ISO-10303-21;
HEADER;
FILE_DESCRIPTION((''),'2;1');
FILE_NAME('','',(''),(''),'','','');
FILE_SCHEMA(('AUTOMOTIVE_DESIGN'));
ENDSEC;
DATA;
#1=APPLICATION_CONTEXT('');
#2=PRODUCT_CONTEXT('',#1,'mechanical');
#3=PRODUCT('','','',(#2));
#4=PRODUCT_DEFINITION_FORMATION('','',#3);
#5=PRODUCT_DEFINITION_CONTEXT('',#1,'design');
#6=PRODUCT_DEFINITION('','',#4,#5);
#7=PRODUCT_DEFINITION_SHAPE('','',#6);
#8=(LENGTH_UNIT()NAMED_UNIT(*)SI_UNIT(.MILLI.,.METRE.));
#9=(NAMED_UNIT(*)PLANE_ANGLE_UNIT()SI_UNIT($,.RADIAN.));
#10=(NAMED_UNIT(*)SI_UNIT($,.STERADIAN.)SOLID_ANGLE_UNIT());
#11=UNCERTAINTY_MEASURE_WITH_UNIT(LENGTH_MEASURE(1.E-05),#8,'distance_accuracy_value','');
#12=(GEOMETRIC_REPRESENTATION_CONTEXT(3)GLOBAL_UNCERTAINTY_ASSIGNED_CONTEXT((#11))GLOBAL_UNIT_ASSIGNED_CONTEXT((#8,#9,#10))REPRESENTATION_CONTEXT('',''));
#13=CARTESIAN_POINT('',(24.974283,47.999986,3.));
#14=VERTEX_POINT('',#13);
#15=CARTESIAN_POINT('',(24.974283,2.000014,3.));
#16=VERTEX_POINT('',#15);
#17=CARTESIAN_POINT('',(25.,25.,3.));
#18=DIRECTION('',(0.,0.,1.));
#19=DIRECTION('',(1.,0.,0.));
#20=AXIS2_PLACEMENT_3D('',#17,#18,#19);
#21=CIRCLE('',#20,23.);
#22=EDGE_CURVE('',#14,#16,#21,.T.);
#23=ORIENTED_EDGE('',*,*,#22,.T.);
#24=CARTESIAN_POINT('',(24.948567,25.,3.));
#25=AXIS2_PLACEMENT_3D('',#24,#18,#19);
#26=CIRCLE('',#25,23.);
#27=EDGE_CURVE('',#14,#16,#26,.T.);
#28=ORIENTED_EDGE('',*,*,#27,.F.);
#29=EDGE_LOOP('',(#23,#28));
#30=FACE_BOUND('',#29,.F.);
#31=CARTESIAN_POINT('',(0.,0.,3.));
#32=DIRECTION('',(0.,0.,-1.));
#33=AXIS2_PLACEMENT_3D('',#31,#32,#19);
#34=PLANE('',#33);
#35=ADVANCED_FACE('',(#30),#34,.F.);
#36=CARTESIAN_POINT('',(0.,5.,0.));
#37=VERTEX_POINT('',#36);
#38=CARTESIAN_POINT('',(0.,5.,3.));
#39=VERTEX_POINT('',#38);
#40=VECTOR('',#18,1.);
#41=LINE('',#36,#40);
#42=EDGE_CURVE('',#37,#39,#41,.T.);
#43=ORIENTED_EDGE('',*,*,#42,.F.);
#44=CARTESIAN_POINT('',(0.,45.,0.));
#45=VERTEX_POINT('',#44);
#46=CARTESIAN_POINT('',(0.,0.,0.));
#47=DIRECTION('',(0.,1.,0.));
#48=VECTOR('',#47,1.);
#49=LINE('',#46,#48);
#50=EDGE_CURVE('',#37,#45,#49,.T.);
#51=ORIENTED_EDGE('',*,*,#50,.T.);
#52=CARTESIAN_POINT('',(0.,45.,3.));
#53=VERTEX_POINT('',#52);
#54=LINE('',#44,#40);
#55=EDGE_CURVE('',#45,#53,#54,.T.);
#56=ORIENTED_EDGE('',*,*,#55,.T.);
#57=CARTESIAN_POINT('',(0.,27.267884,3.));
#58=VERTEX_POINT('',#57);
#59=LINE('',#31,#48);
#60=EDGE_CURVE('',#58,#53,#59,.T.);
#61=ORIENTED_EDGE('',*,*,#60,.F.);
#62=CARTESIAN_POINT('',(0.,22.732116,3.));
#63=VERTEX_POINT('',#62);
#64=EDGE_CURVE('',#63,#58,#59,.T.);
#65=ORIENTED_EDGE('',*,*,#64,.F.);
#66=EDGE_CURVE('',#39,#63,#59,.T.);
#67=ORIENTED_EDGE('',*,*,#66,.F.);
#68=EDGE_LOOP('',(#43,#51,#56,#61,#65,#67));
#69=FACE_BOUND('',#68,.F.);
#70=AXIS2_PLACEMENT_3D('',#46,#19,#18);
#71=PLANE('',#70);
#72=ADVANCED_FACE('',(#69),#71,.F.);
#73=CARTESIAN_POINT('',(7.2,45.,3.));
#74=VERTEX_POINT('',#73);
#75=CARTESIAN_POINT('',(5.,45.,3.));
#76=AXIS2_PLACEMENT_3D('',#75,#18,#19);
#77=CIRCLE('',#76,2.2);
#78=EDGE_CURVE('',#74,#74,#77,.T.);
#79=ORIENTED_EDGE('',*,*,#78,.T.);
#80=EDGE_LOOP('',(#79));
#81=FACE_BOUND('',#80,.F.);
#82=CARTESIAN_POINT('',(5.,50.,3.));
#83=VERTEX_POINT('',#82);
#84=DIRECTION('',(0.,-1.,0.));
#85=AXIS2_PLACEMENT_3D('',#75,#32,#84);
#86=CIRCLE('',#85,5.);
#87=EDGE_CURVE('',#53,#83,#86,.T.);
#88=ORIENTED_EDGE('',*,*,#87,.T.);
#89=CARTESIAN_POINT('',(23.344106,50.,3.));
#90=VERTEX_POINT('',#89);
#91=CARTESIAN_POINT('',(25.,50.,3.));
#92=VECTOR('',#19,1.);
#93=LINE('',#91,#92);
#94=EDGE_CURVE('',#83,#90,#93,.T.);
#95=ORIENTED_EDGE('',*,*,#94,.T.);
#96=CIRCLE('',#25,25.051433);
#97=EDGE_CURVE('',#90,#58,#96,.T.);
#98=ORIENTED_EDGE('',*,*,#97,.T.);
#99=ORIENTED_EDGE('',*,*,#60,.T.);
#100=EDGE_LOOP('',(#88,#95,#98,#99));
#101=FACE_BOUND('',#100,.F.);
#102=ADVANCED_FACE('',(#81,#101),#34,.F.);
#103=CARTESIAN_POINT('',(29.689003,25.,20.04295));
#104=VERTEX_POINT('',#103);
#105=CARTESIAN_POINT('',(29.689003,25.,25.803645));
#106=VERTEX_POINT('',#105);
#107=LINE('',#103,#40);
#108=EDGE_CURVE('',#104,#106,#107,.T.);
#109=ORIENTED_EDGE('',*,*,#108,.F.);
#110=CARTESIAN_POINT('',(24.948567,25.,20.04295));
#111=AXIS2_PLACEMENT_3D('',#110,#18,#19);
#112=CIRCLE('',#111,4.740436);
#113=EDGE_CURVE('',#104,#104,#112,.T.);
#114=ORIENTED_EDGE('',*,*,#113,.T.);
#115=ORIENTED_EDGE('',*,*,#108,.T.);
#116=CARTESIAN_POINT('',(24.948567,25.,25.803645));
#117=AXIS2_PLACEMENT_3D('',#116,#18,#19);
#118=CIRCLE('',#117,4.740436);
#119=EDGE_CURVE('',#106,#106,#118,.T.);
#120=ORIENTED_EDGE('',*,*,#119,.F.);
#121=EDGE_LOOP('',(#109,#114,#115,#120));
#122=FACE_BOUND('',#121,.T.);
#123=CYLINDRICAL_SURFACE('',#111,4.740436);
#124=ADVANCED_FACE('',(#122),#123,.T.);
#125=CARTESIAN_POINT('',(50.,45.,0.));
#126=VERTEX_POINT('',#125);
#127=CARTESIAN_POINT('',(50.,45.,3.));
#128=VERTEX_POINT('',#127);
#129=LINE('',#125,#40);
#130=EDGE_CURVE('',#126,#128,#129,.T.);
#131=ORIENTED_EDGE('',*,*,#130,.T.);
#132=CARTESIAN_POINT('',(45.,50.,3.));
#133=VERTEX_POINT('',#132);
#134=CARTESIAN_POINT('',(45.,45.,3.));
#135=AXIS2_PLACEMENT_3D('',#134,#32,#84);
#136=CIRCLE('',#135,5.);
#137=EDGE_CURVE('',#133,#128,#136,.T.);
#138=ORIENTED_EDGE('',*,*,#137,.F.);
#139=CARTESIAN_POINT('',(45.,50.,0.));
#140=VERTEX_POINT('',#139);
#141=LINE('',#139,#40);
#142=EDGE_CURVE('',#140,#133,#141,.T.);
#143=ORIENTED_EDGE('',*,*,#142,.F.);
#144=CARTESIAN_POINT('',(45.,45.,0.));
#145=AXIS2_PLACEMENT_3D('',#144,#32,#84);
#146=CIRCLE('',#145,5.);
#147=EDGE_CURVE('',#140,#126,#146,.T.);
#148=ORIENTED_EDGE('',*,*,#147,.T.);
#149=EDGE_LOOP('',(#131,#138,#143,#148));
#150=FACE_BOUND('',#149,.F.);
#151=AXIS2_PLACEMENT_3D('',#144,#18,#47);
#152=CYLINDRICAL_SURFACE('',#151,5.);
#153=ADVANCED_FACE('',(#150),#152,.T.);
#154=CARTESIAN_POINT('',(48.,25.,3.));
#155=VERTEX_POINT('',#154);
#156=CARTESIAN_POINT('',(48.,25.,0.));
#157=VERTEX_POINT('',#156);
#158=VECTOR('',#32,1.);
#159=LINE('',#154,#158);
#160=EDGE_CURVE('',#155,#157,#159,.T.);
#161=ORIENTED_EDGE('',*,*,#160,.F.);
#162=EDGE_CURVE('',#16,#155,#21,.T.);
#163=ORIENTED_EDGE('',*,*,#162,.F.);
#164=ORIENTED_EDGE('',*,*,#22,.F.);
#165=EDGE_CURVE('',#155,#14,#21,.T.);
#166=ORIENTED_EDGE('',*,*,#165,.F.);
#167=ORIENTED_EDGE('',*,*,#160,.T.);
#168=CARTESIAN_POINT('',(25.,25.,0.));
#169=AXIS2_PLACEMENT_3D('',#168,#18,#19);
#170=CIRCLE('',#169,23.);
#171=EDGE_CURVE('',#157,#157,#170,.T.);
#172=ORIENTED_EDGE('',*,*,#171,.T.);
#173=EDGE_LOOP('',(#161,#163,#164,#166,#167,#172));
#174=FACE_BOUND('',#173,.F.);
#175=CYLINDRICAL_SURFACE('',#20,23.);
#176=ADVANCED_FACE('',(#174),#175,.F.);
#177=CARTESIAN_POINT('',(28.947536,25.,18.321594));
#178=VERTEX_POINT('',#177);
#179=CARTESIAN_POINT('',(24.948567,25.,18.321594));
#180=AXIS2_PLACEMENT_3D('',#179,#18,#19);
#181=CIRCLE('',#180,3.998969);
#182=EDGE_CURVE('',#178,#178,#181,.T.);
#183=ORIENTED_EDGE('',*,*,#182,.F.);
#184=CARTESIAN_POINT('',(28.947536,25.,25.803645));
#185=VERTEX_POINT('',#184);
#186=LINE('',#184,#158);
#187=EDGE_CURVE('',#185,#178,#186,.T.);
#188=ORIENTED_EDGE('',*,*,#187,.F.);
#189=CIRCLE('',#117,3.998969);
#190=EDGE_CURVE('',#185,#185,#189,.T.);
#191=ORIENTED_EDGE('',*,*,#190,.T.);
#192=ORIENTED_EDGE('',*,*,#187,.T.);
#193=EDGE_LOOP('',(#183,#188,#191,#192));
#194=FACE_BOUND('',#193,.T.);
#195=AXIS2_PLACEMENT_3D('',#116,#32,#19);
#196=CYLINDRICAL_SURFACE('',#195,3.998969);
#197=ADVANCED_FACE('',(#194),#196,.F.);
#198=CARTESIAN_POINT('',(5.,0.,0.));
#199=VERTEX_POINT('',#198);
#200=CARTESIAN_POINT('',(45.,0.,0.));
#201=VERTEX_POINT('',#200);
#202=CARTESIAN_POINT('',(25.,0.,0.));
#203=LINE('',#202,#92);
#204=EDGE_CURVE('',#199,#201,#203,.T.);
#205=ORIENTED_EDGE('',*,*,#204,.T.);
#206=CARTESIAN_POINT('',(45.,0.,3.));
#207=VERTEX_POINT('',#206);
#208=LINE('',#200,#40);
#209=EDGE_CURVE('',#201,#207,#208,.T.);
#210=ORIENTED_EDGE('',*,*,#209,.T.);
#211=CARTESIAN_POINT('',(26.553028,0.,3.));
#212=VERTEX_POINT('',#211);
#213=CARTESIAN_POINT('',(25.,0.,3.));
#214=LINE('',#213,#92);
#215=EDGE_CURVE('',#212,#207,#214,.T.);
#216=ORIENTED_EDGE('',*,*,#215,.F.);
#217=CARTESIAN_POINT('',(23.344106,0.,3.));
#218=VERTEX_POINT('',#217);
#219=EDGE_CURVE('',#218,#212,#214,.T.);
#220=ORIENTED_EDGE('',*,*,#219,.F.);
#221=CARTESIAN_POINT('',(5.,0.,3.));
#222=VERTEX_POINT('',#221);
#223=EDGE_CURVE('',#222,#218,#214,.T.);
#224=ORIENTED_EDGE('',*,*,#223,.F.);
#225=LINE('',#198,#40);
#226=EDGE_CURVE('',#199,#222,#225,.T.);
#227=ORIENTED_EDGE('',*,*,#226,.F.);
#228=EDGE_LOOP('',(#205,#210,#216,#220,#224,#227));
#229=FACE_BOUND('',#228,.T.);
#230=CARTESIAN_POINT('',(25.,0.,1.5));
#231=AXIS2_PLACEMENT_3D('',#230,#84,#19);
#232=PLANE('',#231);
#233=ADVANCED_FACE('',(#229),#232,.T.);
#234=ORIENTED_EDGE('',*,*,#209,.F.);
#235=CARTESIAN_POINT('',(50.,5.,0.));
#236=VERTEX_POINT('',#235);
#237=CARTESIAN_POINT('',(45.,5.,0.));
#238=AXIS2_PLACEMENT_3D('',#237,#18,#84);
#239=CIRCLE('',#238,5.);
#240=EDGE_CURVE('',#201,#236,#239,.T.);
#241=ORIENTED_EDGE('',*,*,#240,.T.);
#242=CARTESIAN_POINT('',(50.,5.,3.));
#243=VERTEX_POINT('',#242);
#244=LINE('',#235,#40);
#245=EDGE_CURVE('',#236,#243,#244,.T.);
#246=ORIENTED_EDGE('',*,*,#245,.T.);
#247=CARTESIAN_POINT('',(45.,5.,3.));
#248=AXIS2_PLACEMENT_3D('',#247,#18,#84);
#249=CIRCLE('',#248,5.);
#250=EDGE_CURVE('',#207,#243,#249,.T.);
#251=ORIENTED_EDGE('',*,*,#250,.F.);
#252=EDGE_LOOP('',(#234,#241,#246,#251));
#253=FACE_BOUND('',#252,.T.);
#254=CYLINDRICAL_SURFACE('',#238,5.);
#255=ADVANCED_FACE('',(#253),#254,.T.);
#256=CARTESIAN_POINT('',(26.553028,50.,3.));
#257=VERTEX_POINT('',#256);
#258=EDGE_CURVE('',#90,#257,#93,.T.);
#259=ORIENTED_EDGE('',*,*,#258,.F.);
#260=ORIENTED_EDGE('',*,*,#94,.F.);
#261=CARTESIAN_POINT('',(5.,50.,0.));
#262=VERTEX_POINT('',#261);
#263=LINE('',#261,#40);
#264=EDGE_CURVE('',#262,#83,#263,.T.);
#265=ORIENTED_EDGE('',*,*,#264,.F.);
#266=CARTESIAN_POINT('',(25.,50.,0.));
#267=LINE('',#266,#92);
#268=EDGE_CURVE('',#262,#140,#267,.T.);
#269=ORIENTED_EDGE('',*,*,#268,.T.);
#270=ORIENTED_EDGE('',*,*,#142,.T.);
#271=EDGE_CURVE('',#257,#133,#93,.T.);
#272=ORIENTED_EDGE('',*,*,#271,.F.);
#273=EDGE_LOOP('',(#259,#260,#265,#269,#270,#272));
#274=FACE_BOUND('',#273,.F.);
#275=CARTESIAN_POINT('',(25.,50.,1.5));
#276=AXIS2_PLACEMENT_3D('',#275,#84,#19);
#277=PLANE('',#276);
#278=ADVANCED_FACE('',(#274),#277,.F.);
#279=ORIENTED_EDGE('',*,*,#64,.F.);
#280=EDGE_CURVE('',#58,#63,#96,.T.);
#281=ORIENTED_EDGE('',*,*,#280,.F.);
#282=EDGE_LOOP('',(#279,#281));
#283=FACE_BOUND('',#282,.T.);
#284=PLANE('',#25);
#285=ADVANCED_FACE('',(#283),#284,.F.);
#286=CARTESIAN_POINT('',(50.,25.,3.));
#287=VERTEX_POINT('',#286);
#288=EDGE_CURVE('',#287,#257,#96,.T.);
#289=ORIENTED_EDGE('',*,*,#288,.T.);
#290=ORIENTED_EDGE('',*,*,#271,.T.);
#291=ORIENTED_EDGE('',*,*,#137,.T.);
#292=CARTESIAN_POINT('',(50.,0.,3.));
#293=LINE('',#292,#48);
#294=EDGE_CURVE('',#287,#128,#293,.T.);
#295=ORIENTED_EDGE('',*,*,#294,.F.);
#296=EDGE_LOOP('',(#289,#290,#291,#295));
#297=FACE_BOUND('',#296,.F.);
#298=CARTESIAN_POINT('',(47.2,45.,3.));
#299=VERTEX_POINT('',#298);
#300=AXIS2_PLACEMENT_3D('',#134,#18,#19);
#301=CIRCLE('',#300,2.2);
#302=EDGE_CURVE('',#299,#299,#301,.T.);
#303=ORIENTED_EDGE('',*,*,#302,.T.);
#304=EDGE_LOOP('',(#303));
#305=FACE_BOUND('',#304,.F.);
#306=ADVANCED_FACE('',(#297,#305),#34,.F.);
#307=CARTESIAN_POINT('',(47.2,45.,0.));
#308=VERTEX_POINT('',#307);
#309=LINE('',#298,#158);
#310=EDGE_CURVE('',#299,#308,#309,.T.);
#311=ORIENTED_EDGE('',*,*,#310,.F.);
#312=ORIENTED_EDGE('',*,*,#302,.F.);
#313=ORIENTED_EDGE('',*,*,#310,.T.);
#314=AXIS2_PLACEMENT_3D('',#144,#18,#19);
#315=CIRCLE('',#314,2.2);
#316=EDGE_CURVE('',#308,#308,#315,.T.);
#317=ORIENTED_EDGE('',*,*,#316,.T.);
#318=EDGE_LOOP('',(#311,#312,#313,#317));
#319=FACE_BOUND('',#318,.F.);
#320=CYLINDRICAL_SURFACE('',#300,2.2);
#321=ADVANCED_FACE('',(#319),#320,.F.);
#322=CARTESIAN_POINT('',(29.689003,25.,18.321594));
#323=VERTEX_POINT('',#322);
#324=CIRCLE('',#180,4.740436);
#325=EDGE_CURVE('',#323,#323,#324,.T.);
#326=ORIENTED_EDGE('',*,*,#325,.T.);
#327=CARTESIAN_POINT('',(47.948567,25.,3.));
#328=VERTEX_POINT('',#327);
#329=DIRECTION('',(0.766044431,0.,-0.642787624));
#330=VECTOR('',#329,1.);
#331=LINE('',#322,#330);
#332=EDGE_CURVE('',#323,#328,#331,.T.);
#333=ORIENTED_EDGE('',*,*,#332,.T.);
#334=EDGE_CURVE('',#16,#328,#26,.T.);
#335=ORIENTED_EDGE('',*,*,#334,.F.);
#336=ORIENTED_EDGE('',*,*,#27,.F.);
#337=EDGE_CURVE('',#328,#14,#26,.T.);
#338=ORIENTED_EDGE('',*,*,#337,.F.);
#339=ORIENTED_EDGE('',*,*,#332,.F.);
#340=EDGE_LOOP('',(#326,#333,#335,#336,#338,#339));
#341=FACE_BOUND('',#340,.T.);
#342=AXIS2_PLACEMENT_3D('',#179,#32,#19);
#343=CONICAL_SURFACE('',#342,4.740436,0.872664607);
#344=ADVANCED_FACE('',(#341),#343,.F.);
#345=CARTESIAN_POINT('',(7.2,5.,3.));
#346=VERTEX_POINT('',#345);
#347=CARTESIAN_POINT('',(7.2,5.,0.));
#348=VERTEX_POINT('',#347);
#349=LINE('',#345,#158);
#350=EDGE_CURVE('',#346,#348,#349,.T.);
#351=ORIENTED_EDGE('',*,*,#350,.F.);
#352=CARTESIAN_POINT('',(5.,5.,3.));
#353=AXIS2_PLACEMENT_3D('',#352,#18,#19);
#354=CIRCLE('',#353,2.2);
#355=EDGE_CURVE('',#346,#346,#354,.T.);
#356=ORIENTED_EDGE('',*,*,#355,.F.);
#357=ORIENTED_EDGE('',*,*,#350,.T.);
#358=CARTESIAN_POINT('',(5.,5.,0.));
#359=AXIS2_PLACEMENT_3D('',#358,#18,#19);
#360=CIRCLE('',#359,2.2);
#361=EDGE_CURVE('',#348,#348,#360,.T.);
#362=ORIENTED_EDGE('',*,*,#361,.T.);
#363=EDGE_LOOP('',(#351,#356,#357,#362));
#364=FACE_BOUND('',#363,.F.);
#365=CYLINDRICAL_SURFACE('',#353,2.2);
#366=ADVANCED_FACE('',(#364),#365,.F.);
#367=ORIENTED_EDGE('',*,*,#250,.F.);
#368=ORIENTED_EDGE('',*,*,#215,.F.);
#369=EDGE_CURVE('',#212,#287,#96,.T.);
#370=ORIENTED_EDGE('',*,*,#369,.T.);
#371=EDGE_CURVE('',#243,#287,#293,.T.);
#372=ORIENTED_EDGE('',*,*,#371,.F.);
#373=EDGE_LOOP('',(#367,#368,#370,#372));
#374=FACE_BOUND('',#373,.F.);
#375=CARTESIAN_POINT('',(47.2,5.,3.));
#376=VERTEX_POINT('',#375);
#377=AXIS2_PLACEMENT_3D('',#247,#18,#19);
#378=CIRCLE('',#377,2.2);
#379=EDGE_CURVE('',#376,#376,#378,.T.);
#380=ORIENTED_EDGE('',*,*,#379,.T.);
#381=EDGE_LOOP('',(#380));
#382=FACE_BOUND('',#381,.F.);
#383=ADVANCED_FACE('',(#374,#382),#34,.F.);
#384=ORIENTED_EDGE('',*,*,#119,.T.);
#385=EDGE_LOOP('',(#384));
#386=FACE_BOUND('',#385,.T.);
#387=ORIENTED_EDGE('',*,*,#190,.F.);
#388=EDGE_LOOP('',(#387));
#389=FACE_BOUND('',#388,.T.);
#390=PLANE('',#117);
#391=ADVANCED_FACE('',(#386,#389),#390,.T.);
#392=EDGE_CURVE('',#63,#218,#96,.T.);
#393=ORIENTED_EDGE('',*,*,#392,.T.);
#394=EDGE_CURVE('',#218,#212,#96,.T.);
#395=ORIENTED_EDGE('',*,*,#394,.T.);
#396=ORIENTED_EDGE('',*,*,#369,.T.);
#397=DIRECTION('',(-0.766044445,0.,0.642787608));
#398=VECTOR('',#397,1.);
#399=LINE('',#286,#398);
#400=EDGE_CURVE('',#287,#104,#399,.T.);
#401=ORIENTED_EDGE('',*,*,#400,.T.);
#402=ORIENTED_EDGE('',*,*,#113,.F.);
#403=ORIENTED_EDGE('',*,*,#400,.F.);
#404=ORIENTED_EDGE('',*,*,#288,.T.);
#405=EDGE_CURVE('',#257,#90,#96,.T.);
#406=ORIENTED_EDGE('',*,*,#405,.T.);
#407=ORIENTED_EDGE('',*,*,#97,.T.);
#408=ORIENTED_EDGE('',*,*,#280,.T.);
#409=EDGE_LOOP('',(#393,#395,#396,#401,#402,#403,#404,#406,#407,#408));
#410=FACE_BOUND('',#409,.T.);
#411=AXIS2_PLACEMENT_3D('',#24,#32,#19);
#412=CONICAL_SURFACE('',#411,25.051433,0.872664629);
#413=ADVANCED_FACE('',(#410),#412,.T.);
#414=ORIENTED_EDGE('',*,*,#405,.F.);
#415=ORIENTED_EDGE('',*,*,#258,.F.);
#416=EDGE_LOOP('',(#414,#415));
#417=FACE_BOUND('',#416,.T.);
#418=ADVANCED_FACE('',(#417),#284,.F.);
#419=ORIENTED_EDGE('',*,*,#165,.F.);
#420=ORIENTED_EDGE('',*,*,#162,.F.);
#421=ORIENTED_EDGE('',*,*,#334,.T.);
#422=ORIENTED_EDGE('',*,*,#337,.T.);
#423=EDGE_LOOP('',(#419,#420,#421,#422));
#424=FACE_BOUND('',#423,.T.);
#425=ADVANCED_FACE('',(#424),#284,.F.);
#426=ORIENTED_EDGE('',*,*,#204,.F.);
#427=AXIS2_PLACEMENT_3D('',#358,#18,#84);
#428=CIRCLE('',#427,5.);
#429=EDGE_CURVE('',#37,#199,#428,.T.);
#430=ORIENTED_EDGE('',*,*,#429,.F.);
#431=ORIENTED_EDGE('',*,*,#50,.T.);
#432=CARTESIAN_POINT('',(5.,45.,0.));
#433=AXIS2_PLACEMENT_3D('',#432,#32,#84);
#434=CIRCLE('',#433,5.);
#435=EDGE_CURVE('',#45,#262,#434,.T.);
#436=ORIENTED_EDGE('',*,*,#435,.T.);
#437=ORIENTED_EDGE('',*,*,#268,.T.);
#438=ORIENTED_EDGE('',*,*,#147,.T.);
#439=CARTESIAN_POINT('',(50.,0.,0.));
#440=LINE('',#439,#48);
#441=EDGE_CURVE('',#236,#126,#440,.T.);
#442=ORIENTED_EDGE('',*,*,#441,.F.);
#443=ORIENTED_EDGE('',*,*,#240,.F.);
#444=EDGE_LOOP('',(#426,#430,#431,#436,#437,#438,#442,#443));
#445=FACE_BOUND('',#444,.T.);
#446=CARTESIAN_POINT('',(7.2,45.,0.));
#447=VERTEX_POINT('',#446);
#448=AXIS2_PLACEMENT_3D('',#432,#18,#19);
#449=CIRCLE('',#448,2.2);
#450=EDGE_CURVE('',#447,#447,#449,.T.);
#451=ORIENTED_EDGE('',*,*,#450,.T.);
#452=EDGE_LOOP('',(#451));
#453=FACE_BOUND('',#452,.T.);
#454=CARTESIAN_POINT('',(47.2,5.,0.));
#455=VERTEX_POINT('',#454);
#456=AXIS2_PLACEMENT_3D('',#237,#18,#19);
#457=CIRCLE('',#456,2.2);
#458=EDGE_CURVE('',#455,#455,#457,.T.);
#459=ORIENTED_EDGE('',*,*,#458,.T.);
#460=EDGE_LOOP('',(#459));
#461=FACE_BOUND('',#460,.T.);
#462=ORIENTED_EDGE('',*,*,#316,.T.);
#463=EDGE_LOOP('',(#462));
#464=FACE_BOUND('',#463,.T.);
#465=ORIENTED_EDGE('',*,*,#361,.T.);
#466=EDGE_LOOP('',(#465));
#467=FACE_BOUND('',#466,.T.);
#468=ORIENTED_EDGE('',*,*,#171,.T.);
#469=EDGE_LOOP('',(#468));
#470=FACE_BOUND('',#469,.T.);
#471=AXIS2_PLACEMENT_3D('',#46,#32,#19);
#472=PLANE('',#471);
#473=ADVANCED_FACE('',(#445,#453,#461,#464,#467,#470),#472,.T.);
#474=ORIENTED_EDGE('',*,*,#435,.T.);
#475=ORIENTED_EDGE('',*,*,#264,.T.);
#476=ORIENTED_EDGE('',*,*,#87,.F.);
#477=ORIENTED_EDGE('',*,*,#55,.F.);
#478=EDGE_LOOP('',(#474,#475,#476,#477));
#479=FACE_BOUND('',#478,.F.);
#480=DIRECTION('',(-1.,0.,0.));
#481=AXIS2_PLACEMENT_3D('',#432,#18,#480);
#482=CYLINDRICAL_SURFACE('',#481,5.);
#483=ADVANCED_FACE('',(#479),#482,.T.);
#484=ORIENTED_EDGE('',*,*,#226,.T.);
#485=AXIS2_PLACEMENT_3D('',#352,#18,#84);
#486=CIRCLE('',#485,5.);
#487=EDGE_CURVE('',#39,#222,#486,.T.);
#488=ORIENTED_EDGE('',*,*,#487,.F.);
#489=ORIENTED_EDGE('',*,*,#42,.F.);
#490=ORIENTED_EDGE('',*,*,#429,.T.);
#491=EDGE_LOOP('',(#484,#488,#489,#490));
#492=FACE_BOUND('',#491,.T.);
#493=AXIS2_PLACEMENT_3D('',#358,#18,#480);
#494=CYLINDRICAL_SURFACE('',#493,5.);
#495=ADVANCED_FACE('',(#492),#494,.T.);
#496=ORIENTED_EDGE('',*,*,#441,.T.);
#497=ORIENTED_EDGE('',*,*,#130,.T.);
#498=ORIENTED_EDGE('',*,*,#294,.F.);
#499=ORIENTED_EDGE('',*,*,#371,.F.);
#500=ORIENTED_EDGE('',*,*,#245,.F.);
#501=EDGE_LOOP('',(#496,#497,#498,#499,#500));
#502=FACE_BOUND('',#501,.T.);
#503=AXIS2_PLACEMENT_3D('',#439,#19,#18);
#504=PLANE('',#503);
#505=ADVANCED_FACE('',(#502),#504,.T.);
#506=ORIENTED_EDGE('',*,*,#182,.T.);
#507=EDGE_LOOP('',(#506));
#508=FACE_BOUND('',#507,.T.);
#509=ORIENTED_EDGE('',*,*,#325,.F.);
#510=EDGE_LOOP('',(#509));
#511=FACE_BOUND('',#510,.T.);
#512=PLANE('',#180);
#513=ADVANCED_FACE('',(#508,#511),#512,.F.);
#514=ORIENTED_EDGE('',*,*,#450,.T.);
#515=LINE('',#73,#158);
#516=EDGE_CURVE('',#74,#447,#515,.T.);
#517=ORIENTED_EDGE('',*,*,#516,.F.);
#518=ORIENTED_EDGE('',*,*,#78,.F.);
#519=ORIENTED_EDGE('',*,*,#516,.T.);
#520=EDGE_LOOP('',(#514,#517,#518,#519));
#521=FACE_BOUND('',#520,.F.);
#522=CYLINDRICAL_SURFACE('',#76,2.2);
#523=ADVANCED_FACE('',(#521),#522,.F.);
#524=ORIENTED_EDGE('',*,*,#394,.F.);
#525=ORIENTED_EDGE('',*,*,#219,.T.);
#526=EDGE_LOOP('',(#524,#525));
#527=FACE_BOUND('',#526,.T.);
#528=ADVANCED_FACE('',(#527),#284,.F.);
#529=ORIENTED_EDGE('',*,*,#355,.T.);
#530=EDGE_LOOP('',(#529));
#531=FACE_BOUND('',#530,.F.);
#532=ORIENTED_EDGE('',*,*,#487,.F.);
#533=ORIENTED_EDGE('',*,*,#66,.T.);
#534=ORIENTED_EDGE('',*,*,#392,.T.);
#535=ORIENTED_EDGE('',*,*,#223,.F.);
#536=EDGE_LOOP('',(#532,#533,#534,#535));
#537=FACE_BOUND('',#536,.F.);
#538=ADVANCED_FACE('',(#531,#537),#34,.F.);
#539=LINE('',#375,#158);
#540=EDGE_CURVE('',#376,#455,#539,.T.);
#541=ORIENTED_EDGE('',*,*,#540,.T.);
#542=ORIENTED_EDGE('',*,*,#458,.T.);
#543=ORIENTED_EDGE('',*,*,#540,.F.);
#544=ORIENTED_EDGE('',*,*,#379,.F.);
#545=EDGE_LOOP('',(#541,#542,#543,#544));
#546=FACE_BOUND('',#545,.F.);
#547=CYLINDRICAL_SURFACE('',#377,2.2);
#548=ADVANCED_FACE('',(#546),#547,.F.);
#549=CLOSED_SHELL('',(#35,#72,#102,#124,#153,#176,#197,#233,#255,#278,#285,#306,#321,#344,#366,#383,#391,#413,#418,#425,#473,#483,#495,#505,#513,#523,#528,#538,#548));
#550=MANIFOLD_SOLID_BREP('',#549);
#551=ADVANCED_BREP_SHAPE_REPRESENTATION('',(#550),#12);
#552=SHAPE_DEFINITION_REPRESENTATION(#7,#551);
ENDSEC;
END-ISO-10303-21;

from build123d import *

# Parameters (mm, degrees)
F0_W     = 50
F0_H     = 3
F1_DEPTH = 50
F2_R     = 23
F3_DEPTH = 25
F7_R     = 2.2
F8_DEPTH = 25
F9_R     = 5


with BuildPart() as f1:
    # F0 (on Front) → F1 (new body)
    with BuildSketch(Plane.XZ):
        with Locations((25, 1.5)):
            Rectangle(F0_W, F0_H)
    extrude(amount=-F1_DEPTH)

    # F2 (on face) → F3 (cut)
    with BuildSketch(Plane.XY.offset(3)):
        with Locations((25, 25)):
            Circle(F2_R)
    extrude(amount=-F3_DEPTH, mode=Mode.SUBTRACT)

    # F5 (on offset) → F6 (revolve)
    with BuildSketch(Plane.XZ.offset(-25)):
        Polygon((29.689003, 18.321594), (47.948567, 3), (50, 3), (29.689003, 20.04295), (29.689003, 25.803645), (28.947536, 25.803645), (28.947536, 18.321594), align=None)
    revolve(axis=Axis((24.948567, 25, 14.356404), (0, 0, 1)))

    # F7 (on face) → F8 (cut)
    with BuildSketch(Plane.XY.offset(3)):
        with Locations((45, 45)):
            Circle(F7_R)
        with Locations((45, 5)):
            Circle(F7_R)
        with Locations((5, 5)):
            Circle(F7_R)
        with Locations((5, 45)):
            Circle(F7_R)
    extrude(amount=-F8_DEPTH, mode=Mode.SUBTRACT)

    # F9
    f9_edges = [f1.edges().sort_by_distance(p)[0] for p in [
        (0, 0, 1.5),
        (50, 0, 1.5),
        (50, 50, 1.5),
        (0, 50, 1.5),
    ]]
    fillet(f9_edges, radius=F9_R)


solid = f1.part
